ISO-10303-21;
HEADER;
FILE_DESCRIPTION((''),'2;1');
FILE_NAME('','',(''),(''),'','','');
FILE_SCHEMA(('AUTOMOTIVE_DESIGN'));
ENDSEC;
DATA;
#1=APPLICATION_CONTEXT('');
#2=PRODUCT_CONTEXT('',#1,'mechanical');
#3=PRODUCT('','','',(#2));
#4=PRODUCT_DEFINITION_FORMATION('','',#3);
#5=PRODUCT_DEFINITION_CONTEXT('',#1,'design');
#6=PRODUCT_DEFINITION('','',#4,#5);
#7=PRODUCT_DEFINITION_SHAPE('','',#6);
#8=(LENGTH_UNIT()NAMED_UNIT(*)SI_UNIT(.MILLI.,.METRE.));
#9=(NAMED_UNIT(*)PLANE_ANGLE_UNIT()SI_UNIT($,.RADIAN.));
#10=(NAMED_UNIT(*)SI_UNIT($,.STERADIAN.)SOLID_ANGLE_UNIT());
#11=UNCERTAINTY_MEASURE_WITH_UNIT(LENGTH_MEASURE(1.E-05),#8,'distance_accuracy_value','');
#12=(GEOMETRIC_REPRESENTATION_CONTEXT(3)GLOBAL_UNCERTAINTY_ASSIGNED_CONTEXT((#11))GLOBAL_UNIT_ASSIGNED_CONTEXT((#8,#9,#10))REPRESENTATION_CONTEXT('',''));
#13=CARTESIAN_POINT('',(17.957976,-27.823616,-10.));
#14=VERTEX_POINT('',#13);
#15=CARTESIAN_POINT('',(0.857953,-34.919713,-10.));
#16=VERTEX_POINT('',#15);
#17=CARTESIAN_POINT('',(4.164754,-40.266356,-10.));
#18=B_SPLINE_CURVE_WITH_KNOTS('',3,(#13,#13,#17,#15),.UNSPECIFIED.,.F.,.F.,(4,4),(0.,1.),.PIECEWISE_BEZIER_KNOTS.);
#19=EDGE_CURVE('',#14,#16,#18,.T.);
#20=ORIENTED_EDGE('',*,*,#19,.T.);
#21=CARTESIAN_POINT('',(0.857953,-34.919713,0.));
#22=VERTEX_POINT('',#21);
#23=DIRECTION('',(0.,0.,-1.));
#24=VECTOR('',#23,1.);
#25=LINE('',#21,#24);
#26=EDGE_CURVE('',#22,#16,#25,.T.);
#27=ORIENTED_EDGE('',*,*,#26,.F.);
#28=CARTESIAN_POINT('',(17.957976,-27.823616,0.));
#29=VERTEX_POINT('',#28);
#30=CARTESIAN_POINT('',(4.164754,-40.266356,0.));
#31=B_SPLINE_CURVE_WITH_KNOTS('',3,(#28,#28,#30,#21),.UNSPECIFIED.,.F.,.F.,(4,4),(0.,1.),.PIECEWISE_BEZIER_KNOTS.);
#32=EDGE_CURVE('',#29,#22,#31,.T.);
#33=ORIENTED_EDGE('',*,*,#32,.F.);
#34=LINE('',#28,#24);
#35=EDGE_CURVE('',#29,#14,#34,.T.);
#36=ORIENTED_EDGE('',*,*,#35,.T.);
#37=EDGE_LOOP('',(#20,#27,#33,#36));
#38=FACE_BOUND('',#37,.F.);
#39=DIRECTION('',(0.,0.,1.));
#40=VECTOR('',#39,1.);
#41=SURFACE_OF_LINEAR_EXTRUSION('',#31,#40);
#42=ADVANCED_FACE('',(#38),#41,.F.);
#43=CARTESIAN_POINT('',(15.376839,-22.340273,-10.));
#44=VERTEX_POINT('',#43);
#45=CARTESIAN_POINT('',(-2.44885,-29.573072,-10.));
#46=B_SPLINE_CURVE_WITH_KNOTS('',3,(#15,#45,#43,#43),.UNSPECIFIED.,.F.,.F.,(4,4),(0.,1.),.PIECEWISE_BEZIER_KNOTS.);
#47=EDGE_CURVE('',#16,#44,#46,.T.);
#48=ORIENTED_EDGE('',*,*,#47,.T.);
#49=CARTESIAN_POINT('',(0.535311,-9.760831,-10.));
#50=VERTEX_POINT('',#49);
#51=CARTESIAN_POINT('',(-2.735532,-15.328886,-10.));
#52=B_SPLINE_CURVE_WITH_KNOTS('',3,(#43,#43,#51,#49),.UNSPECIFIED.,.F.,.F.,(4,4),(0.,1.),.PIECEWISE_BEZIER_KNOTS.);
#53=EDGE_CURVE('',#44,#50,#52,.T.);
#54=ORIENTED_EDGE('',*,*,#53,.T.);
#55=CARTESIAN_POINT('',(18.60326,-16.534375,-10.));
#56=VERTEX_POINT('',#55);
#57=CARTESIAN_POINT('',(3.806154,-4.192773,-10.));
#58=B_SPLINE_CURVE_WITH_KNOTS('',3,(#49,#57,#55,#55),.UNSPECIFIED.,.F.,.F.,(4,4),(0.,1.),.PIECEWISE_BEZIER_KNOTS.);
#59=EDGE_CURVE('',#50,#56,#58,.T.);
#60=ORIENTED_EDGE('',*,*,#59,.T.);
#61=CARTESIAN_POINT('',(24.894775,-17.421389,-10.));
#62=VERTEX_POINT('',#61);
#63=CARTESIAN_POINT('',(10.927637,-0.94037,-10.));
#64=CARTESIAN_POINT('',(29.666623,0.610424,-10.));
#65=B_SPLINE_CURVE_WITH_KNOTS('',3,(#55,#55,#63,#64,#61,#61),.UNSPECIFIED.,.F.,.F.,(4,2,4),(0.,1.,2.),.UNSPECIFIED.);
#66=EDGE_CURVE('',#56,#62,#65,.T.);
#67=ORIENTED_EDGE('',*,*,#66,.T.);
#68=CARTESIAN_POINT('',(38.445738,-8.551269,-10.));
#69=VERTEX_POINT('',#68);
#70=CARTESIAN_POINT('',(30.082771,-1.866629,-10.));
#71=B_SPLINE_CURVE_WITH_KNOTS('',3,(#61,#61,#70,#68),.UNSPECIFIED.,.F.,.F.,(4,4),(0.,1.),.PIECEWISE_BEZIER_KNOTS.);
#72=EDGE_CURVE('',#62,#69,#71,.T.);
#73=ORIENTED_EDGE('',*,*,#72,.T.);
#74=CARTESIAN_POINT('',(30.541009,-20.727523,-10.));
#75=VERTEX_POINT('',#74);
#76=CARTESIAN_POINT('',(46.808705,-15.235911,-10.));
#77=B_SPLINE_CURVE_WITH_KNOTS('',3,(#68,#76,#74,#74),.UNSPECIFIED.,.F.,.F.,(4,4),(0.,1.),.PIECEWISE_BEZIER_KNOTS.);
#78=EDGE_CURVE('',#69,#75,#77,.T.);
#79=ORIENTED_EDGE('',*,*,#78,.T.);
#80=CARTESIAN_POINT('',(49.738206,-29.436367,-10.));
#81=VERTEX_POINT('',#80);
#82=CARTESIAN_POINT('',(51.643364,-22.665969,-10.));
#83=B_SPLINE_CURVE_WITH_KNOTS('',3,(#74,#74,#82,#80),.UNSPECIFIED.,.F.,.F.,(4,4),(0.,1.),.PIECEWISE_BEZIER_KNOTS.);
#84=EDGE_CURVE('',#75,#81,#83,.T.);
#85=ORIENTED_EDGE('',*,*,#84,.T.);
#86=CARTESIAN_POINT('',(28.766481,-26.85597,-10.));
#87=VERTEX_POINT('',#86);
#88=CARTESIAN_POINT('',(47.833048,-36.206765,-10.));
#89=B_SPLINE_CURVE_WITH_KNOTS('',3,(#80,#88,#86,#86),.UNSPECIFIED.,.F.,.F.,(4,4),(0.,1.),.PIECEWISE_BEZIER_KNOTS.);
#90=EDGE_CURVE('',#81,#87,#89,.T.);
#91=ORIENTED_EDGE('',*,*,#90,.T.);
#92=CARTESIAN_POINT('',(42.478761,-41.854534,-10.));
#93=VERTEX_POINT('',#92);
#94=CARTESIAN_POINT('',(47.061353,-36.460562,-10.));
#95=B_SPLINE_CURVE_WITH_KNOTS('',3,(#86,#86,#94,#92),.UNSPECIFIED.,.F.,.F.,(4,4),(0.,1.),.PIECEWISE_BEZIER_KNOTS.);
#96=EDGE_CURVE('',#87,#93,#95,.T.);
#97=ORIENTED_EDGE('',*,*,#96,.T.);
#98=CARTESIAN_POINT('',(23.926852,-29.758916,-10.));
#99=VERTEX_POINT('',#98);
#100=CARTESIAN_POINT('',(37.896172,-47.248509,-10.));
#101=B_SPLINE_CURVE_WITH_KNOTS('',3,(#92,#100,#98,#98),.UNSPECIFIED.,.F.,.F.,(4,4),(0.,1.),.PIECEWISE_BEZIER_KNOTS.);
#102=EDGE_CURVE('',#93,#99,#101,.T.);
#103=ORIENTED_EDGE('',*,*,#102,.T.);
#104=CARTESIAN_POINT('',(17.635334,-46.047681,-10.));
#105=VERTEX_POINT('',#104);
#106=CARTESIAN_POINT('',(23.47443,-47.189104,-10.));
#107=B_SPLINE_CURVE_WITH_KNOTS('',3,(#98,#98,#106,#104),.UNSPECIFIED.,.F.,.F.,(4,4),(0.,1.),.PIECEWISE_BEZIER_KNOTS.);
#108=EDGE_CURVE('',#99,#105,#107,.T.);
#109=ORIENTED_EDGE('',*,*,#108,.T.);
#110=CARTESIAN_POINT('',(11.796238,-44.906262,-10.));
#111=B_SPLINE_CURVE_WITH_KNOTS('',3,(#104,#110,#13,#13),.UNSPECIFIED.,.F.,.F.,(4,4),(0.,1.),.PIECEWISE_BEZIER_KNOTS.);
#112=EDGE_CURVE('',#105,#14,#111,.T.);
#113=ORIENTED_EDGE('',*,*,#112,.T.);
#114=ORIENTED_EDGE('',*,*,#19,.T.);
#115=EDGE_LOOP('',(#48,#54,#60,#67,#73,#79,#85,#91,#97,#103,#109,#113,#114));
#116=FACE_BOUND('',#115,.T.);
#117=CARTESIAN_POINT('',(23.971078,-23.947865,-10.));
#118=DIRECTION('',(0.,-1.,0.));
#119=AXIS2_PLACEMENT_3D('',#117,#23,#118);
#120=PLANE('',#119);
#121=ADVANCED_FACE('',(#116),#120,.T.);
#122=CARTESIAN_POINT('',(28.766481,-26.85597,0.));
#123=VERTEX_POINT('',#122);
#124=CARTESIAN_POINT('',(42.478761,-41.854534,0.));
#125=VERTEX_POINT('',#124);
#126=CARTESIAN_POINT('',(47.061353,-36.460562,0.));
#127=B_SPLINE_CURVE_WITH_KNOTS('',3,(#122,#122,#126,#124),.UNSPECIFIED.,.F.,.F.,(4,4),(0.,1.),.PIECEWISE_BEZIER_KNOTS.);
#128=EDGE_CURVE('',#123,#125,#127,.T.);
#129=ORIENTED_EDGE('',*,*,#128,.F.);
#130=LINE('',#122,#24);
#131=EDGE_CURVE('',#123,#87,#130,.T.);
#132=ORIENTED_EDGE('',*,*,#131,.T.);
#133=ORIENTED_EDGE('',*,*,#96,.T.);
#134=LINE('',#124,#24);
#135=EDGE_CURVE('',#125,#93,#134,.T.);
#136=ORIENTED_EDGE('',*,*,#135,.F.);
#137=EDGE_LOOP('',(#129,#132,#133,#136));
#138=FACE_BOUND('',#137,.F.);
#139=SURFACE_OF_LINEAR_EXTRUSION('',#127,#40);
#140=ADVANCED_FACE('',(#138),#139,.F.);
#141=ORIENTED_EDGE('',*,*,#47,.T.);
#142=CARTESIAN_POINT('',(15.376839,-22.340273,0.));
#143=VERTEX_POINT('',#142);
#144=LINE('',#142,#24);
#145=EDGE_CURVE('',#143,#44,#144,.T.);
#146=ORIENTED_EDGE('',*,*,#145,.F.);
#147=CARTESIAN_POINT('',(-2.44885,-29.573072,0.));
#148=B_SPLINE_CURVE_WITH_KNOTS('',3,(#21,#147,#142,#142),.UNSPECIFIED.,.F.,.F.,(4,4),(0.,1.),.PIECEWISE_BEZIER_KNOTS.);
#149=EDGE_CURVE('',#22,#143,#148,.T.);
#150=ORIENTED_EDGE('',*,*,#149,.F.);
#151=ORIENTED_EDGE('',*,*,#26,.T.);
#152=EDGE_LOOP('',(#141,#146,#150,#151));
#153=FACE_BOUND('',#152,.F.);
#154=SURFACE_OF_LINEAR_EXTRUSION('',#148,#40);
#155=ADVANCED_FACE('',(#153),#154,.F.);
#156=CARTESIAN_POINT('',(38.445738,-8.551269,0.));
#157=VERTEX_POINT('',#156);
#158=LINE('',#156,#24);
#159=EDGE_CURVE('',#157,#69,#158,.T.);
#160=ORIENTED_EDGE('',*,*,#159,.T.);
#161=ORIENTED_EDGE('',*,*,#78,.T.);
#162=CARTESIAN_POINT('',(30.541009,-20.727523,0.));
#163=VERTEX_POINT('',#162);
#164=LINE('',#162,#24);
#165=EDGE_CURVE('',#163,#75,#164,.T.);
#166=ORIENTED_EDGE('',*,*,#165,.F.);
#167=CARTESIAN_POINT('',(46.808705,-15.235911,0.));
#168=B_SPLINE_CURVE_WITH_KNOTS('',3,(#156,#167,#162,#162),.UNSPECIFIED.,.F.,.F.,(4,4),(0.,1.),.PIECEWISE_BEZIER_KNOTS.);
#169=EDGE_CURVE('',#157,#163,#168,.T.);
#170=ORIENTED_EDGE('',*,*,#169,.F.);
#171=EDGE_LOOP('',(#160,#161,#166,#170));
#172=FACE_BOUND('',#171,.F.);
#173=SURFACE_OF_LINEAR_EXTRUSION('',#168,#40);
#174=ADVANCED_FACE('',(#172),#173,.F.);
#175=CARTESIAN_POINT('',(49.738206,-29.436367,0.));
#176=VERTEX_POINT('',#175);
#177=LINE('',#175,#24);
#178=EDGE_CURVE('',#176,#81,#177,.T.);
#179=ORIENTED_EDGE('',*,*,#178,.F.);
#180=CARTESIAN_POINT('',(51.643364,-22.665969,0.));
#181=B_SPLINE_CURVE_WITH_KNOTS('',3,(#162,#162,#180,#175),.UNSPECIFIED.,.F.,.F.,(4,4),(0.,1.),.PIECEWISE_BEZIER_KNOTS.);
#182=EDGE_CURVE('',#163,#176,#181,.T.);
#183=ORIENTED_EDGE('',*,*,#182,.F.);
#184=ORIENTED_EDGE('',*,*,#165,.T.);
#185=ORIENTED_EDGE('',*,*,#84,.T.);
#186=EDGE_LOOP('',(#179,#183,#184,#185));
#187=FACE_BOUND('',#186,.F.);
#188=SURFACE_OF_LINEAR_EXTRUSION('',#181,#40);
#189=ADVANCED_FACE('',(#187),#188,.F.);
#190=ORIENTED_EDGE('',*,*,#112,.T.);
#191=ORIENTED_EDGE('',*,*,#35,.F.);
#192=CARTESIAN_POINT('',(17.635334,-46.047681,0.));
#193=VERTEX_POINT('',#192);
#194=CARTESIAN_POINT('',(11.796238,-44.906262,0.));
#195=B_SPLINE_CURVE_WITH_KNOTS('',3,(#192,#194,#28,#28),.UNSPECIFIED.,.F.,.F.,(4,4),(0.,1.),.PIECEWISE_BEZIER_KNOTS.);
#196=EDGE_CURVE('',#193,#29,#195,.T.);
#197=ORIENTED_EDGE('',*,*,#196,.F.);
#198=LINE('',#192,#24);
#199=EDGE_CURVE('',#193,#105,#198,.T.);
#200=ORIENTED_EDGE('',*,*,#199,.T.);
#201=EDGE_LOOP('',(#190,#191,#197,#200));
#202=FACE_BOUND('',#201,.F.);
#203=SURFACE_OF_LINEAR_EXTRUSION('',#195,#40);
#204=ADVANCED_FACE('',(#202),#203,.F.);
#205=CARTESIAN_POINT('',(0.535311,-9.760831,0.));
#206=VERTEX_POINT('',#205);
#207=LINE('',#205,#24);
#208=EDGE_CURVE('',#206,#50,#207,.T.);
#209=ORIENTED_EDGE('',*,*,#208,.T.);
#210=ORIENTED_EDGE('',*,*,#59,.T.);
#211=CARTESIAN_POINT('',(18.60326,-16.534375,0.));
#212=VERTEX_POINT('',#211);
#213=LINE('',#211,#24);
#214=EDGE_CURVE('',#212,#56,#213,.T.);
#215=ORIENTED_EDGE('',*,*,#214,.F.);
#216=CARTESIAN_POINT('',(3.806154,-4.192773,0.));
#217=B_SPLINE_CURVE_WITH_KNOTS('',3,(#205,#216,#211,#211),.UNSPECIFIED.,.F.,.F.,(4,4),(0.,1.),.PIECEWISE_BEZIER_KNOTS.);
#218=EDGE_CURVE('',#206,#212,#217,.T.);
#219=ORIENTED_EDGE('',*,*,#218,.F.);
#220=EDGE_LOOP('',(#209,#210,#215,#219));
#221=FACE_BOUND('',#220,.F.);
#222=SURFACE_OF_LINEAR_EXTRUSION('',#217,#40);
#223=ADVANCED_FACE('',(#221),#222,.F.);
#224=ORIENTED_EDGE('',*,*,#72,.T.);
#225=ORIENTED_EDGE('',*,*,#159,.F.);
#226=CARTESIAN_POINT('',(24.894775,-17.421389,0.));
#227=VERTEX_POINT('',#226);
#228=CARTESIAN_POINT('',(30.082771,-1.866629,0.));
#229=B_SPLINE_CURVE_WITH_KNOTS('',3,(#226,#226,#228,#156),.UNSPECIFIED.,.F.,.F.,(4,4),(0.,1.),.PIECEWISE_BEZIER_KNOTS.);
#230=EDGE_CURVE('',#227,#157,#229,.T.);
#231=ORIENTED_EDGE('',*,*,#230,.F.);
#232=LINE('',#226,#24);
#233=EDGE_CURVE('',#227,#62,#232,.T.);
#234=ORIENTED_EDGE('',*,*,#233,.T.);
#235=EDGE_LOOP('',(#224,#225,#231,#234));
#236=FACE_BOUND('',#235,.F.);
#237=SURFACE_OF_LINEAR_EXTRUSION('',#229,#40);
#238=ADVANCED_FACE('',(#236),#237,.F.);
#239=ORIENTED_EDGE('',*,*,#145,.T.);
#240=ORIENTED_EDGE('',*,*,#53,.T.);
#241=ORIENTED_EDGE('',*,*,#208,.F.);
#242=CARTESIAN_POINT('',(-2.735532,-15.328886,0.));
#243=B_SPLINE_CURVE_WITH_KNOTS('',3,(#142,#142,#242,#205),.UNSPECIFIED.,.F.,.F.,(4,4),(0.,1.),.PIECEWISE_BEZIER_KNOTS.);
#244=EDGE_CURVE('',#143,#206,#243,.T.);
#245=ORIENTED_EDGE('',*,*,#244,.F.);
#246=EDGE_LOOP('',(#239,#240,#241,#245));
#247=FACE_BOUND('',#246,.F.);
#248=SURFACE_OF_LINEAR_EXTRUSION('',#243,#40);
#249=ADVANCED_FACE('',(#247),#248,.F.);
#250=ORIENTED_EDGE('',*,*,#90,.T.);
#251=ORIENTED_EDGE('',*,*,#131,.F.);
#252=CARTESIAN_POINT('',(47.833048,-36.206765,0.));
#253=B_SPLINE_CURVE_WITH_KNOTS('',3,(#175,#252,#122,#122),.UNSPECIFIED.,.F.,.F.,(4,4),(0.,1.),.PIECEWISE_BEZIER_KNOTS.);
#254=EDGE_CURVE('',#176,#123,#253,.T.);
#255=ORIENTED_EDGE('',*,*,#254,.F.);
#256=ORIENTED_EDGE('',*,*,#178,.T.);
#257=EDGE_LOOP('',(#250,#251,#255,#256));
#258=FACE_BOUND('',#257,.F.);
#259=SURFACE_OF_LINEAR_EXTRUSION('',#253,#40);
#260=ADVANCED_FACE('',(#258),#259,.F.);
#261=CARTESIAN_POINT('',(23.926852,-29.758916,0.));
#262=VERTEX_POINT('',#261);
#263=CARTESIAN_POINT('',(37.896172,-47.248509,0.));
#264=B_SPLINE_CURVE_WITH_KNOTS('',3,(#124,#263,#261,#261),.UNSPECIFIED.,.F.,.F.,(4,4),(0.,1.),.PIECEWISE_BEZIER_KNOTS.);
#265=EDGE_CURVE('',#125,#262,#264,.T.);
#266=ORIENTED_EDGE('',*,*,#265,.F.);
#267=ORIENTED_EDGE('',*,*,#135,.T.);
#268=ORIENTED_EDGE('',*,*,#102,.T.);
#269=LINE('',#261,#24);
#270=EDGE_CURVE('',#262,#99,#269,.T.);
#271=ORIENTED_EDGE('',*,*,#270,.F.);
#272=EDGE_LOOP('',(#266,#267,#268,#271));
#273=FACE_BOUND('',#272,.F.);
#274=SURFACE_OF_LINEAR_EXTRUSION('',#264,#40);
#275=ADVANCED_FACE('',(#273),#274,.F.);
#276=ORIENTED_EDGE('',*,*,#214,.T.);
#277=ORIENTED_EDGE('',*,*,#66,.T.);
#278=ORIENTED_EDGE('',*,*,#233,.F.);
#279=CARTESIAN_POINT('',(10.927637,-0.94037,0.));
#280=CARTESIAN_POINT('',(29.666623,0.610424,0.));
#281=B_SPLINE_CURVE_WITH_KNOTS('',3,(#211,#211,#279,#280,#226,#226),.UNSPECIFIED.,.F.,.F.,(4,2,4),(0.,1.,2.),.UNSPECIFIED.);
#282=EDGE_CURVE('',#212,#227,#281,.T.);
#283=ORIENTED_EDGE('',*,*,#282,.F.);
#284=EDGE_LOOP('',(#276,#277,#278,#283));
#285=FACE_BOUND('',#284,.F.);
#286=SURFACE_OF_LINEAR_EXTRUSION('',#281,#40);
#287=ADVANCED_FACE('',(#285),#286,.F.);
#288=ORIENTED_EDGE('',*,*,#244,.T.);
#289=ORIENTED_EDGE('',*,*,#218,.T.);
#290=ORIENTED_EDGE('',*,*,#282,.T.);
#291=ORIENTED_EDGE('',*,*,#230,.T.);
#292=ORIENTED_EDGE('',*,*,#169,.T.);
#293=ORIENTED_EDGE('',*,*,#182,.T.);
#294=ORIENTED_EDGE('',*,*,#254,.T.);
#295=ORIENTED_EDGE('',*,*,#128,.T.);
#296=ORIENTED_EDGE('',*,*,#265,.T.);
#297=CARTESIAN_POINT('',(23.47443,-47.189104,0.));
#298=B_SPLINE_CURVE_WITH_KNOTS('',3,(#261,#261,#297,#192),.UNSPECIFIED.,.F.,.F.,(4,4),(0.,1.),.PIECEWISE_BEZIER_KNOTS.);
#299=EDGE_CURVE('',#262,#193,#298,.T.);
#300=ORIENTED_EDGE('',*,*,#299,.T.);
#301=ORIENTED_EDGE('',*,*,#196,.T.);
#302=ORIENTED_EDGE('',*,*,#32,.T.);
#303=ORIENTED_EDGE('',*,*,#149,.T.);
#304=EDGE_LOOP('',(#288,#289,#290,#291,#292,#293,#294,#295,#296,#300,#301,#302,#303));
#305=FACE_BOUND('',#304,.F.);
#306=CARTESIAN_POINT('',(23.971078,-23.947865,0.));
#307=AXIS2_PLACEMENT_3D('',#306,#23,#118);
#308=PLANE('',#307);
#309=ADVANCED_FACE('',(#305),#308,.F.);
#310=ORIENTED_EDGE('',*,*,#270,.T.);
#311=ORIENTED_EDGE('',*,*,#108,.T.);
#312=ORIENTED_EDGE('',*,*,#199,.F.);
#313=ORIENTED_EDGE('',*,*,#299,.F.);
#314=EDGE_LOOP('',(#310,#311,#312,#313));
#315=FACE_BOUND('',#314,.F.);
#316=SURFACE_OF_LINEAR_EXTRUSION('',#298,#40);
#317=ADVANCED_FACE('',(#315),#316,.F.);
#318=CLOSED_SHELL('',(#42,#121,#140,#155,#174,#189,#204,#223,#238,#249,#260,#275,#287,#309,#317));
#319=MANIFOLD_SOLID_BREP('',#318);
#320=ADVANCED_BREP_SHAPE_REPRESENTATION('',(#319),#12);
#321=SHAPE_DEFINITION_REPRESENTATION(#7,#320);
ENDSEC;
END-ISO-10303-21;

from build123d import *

# Parameters (mm, degrees)
EXTRUDE_DEPTH = 10


with BuildPart() as part:
    # path4136 → Extrude (new body)
    with BuildSketch(Plane(origin=(25.146128, -23.28934, 0), x_dir=(0, -1, 0), z_dir=(0, 0, -1))):
        with BuildLine():
            add(Edge.make_bspline(
                [(-6.754965, 6.542868), (-6.754965, 6.542868), (-22.34897, 14.218491), (-23.124367, 4.848998)],
                knots=[0, 0, 0, 0, 1, 1, 1, 1], degree=3))
            add(Edge.make_bspline(
                [(-23.124367, 4.848998), (-23.899764, -4.520495), (-5.867951, 0.251353), (-5.867951, 0.251353)],
                knots=[0, 0, 0, 0, 1, 1, 1, 1], degree=3))
            add(Edge.make_bspline(
                [(-5.867951, 0.251353), (-5.867951, 0.251353), (-21.422711, -4.936643), (-14.738071, -13.29961)],
                knots=[0, 0, 0, 0, 1, 1, 1, 1], degree=3))
            add(Edge.make_bspline(
                [(-14.738071, -13.29961), (-8.053429, -21.662577), (-2.561817, -5.394881), (-2.561817, -5.394881)],
                knots=[0, 0, 0, 0, 1, 1, 1, 1], degree=3))
            add(Edge.make_bspline(
                [(-2.561817, -5.394881), (-2.561817, -5.394881), (-0.623371, -26.497236), (6.147027, -24.592078)],
                knots=[0, 0, 0, 0, 1, 1, 1, 1], degree=3))
            add(Edge.make_bspline(
                [(6.147027, -24.592078), (12.917425, -22.68692), (3.56663, -3.620353), (3.56663, -3.620353)],
                knots=[0, 0, 0, 0, 1, 1, 1, 1], degree=3))
            add(Edge.make_bspline(
                [(3.56663, -3.620353), (3.56663, -3.620353), (13.171222, -21.915225), (18.565194, -17.332633)],
                knots=[0, 0, 0, 0, 1, 1, 1, 1], degree=3))
            add(Edge.make_bspline(
                [(18.565194, -17.332633), (23.959169, -12.750044), (6.469576, 1.219276), (6.469576, 1.219276)],
                knots=[0, 0, 0, 0, 1, 1, 1, 1], degree=3))
            add(Edge.make_bspline(
                [(6.469576, 1.219276), (6.469576, 1.219276), (23.899764, 1.671698), (22.758341, 7.510794)],
                knots=[0, 0, 0, 0, 1, 1, 1, 1], degree=3))
            add(Edge.make_bspline(
                [(22.758341, 7.510794), (21.616922, 13.34989), (4.534276, 7.188152), (4.534276, 7.188152)],
                knots=[0, 0, 0, 0, 1, 1, 1, 1], degree=3))
            add(Edge.make_bspline(
                [(4.534276, 7.188152), (4.534276, 7.188152), (16.977016, 20.981374), (11.630373, 24.288175)],
                knots=[0, 0, 0, 0, 1, 1, 1, 1], degree=3))
            add(Edge.make_bspline(
                [(11.630373, 24.288175), (6.283732, 27.594978), (-0.949067, 9.769289), (-0.949067, 9.769289)],
                knots=[0, 0, 0, 0, 1, 1, 1, 1], degree=3))
            add(Edge.make_bspline(
                [(-0.949067, 9.769289), (-0.949067, 9.769289), (-7.960454, 27.88166), (-13.528509, 24.610817)],
                knots=[0, 0, 0, 0, 1, 1, 1, 1], degree=3))
            add(Edge.make_bspline(
                [(-13.528509, 24.610817), (-19.096567, 21.339974), (-6.754965, 6.542868), (-6.754965, 6.542868)],
                knots=[0, 0, 0, 0, 1, 1, 1, 1], degree=3))
        make_face()
    extrude(amount=EXTRUDE_DEPTH)


solid = part.part
